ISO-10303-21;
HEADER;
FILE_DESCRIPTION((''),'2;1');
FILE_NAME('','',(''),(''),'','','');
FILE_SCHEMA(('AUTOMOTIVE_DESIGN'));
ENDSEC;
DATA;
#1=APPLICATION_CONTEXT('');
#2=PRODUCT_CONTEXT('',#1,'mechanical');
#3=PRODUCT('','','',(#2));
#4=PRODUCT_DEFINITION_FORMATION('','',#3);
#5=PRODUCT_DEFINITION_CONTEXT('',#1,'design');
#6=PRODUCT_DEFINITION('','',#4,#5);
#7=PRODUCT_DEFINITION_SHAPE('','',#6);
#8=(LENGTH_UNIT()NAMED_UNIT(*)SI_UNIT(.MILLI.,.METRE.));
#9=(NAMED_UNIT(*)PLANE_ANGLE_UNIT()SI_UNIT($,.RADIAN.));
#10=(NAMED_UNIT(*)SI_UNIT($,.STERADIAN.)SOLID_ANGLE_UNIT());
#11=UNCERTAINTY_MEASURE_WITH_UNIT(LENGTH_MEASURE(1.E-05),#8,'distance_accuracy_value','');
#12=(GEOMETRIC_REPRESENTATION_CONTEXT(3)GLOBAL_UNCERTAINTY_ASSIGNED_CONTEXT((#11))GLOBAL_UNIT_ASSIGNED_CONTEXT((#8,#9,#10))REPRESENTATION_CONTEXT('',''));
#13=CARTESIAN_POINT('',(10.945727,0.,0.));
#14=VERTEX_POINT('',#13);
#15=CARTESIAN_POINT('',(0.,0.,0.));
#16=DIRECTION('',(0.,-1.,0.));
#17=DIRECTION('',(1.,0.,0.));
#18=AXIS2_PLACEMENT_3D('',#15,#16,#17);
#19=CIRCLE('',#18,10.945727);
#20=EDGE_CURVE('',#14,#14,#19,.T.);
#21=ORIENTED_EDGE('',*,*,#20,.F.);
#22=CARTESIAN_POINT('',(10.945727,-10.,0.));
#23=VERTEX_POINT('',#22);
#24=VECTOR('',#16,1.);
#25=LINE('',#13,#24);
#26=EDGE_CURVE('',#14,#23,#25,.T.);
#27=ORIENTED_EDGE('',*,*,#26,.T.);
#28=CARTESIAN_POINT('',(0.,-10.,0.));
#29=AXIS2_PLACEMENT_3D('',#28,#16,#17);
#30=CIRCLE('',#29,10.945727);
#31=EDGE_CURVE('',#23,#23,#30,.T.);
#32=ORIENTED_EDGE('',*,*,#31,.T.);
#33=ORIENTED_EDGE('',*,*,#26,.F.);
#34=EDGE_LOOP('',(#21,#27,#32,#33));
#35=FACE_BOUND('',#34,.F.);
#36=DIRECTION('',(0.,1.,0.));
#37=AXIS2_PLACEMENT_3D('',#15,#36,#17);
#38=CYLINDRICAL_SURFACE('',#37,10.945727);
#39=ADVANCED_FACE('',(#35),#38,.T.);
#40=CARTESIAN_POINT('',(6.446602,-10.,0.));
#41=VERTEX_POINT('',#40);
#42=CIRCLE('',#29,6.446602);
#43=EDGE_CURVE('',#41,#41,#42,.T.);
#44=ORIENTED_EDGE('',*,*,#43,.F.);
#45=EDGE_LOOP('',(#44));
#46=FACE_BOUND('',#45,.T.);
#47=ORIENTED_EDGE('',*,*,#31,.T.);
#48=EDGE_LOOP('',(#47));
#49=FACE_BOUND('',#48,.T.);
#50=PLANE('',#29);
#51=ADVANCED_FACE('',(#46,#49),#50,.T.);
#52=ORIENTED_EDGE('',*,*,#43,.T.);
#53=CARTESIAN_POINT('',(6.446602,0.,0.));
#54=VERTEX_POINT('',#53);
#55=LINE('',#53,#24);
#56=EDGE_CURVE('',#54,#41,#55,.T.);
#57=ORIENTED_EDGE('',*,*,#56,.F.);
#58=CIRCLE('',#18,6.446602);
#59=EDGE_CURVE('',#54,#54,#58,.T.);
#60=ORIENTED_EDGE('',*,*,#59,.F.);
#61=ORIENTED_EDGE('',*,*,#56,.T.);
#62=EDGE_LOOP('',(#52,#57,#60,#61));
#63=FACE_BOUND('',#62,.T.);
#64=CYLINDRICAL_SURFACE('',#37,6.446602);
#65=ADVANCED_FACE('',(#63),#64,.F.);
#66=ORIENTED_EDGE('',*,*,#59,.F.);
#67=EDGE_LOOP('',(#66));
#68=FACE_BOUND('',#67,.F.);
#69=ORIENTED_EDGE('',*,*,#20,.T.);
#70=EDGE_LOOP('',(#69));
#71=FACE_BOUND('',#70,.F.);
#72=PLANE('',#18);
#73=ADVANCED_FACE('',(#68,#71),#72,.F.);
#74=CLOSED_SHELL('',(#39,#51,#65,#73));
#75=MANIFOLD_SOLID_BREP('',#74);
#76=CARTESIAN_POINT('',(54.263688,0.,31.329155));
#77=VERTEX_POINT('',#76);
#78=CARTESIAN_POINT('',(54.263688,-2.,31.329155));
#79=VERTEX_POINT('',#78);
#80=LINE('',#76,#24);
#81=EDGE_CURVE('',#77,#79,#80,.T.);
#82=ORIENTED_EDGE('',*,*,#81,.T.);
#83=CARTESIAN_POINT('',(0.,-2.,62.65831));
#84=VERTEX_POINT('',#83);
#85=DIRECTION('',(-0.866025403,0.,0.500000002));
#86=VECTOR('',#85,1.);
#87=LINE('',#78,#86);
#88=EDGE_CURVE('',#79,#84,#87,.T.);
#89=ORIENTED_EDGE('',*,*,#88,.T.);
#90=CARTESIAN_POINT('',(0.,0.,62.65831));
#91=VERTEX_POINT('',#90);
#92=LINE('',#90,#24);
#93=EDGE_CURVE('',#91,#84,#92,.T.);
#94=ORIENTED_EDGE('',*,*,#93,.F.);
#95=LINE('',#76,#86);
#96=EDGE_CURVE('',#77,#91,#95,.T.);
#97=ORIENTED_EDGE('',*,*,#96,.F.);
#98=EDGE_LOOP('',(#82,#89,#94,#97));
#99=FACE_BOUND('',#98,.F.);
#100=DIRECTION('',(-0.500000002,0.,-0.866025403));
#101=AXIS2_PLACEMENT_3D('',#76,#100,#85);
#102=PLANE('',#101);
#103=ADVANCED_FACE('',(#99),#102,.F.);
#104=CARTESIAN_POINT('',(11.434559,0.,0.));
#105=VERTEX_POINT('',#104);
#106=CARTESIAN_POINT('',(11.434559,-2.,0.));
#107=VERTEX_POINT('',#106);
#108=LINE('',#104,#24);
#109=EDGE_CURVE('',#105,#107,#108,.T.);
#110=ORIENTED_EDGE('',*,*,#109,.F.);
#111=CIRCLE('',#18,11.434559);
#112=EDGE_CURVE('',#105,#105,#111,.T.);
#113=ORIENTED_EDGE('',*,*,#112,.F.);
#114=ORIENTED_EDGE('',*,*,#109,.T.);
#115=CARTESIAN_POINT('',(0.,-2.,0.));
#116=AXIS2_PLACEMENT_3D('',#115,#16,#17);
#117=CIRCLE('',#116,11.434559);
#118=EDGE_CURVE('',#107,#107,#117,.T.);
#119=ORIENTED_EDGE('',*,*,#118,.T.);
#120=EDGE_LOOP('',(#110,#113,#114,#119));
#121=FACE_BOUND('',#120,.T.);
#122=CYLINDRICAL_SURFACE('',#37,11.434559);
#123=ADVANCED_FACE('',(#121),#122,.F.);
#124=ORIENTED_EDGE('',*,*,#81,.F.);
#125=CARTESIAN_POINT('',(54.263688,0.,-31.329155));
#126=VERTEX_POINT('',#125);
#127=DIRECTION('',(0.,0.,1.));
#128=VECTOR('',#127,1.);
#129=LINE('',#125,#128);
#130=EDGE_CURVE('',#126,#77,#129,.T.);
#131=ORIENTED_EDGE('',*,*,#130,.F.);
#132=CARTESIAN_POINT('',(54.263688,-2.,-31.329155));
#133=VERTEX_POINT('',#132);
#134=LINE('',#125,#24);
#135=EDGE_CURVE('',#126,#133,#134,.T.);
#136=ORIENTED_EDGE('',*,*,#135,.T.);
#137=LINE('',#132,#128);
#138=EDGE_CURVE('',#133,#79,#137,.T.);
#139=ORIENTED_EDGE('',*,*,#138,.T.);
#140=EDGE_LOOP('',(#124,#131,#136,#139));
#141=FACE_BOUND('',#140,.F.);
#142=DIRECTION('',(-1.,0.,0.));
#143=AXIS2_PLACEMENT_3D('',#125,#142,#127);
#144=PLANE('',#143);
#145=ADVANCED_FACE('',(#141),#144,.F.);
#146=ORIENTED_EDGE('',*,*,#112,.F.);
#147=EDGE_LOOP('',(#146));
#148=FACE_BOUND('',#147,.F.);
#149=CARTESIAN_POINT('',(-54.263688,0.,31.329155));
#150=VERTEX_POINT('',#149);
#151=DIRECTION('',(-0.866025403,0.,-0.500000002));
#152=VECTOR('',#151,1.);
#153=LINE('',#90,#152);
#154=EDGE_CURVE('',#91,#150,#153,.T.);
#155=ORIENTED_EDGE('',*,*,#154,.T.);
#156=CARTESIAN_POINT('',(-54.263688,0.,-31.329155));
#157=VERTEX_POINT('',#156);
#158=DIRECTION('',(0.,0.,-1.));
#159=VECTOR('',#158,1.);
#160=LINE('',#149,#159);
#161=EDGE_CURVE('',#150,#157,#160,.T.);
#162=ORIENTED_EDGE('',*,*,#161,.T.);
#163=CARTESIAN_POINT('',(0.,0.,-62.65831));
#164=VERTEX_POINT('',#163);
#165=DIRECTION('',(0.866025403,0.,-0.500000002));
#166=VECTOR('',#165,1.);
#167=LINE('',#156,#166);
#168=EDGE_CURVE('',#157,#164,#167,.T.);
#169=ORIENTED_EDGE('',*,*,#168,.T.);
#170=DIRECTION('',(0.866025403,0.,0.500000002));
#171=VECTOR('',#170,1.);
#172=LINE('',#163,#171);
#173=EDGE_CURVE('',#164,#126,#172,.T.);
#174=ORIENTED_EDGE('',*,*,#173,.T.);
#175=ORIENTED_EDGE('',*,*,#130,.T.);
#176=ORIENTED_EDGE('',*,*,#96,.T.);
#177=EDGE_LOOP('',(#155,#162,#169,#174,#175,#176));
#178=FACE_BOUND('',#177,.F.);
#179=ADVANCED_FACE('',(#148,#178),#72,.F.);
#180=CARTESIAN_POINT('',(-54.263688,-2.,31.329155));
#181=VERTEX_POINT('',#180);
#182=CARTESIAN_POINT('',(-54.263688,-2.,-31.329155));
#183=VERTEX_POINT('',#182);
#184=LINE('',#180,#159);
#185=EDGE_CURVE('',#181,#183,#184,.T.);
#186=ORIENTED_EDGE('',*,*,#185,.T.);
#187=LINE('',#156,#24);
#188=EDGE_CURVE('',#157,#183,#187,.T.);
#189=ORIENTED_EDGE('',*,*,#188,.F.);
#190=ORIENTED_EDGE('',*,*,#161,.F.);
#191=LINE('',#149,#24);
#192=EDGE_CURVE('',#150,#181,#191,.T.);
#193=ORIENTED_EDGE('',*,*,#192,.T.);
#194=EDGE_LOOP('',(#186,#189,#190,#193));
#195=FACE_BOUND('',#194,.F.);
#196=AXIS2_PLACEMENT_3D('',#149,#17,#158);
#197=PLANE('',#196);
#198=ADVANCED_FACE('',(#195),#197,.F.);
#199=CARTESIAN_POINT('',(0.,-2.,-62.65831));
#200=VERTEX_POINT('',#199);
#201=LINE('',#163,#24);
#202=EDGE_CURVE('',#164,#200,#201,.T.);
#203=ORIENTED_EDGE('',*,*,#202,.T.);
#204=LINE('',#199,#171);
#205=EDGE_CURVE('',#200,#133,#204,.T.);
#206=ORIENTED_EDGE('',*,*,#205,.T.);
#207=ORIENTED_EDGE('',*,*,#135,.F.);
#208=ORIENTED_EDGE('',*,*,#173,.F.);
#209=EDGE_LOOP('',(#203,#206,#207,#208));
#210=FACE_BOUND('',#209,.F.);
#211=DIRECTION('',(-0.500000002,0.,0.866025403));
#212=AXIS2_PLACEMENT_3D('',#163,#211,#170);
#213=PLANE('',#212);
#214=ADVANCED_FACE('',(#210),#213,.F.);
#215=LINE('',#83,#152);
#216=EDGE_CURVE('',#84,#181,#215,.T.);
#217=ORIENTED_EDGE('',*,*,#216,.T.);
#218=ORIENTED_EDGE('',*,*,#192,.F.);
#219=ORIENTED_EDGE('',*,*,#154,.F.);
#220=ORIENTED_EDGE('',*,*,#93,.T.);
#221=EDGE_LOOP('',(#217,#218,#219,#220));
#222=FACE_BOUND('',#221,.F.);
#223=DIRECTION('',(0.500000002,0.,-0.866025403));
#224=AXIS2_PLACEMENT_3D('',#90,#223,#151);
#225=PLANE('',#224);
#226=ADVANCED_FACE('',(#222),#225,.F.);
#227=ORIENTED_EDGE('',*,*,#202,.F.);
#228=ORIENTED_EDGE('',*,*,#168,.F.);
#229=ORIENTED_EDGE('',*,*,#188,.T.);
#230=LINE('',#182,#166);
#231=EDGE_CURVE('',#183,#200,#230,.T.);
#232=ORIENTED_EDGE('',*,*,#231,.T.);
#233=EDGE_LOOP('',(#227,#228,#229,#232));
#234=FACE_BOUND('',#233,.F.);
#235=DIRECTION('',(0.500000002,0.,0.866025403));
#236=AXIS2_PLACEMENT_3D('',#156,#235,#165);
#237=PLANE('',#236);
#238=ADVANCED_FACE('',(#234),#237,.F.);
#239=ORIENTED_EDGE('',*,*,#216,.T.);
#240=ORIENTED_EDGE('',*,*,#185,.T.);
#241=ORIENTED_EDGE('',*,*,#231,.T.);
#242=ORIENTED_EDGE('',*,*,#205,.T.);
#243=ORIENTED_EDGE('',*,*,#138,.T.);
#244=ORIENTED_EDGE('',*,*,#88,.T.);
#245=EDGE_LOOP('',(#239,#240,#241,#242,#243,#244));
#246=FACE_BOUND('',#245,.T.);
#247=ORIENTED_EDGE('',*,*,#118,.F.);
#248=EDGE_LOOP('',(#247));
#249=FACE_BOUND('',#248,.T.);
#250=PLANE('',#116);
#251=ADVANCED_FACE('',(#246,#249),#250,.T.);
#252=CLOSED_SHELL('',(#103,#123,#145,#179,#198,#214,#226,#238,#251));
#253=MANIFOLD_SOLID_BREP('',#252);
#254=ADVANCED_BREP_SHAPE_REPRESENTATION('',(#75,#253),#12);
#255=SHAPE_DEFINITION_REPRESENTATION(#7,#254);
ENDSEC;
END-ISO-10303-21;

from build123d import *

# Parameters (mm, degrees)
F0_R     = 11.434559
F1_DEPTH = 2
F2_R     = 10.945727
F2_R_2   = 6.446602
F3_DEPTH = 10


with BuildPart() as f1:
    # F0 (on Front) → F1 (new body)
    with BuildSketch(Plane.XZ):
        Polygon((-54.263688, -31.329155), (0, -62.65831), (54.263688, -31.329155), (54.263688, 31.329155), (0, 62.65831), (-54.263688, 31.329155), align=None)
        Circle(F0_R, mode=Mode.SUBTRACT)
    extrude(amount=F1_DEPTH)


with BuildPart() as f3:
    # F2 (on Front) → F3 (new body)
    with BuildSketch(Plane.XZ):
        Circle(F2_R)
        Circle(F2_R_2, mode=Mode.SUBTRACT)
    extrude(amount=F3_DEPTH)


solid = Compound([f1.part, f3.part])
